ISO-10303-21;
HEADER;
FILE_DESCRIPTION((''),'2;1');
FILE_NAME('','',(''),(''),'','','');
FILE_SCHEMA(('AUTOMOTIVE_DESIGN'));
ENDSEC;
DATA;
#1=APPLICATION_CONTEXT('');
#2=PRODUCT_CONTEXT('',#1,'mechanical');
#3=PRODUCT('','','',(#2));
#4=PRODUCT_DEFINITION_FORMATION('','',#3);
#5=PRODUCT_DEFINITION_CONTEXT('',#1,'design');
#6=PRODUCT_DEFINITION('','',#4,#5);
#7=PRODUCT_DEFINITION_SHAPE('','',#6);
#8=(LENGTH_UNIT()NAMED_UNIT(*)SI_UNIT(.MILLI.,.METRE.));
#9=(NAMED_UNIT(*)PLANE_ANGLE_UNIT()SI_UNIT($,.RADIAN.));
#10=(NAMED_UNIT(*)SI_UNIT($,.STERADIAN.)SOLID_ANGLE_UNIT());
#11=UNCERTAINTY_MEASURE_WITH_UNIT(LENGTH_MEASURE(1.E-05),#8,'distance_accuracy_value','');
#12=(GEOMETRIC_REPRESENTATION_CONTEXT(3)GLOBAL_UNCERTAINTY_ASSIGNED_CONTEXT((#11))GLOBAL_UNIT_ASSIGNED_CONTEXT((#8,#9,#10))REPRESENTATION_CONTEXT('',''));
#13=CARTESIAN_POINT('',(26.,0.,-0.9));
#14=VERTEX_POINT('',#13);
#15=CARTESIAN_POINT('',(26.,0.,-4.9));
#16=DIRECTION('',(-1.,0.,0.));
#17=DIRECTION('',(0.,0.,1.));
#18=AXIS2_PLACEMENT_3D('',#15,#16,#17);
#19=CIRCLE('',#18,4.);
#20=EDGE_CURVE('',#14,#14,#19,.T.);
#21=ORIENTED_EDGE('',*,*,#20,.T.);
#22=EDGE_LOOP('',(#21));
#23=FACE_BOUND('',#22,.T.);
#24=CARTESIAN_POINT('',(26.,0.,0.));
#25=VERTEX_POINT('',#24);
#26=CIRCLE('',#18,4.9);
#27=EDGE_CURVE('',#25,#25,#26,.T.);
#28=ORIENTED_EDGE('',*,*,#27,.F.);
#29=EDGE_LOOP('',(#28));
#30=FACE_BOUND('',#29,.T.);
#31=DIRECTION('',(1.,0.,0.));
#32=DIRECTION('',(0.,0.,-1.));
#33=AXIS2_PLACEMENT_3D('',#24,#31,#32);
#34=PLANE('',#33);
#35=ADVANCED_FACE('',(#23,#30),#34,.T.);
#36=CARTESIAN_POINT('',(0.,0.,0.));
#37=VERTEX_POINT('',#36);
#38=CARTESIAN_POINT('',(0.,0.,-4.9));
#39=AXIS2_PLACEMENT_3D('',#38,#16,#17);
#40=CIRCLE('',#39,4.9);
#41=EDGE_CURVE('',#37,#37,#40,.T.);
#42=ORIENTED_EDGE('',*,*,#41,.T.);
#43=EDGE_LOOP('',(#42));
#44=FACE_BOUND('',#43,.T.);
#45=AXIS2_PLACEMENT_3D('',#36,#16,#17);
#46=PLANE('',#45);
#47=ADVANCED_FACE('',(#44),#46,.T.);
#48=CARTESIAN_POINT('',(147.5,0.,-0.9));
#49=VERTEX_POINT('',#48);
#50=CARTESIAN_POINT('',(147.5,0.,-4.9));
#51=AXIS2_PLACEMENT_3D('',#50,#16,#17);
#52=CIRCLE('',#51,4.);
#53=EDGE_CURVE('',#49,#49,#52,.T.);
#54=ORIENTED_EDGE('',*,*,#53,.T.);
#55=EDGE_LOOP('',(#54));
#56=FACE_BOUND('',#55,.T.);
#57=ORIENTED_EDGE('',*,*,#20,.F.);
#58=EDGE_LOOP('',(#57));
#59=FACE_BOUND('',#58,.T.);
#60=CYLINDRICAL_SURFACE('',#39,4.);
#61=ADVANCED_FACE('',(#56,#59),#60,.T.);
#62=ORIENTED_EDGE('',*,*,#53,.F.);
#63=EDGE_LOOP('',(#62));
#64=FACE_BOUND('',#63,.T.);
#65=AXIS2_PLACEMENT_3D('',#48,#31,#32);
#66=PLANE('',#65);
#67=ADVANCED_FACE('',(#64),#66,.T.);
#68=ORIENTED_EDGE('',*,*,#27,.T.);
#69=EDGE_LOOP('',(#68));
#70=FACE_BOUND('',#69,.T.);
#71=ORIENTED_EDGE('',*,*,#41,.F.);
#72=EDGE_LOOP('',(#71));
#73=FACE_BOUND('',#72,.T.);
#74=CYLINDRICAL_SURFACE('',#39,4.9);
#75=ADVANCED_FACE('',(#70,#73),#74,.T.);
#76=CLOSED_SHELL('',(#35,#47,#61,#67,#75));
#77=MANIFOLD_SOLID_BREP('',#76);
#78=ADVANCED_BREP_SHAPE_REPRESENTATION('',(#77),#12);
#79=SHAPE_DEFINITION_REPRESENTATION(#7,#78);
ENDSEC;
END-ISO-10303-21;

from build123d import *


with BuildPart() as part:
    # Sketch1 → Revolve1 (revolve)
    with BuildSketch(Plane(origin=(0, 0, 0), x_dir=(1, 0, 0), z_dir=(0, 1, 0))):
        Polygon((0, 0), (26, 0), (26, 0.9), (147.5, 0.9), (147.5, 4.9), (0, 4.9), align=None)
    revolve(axis=Axis((0, 0, -4.9), (1, 0, 0)))


solid = part.part
